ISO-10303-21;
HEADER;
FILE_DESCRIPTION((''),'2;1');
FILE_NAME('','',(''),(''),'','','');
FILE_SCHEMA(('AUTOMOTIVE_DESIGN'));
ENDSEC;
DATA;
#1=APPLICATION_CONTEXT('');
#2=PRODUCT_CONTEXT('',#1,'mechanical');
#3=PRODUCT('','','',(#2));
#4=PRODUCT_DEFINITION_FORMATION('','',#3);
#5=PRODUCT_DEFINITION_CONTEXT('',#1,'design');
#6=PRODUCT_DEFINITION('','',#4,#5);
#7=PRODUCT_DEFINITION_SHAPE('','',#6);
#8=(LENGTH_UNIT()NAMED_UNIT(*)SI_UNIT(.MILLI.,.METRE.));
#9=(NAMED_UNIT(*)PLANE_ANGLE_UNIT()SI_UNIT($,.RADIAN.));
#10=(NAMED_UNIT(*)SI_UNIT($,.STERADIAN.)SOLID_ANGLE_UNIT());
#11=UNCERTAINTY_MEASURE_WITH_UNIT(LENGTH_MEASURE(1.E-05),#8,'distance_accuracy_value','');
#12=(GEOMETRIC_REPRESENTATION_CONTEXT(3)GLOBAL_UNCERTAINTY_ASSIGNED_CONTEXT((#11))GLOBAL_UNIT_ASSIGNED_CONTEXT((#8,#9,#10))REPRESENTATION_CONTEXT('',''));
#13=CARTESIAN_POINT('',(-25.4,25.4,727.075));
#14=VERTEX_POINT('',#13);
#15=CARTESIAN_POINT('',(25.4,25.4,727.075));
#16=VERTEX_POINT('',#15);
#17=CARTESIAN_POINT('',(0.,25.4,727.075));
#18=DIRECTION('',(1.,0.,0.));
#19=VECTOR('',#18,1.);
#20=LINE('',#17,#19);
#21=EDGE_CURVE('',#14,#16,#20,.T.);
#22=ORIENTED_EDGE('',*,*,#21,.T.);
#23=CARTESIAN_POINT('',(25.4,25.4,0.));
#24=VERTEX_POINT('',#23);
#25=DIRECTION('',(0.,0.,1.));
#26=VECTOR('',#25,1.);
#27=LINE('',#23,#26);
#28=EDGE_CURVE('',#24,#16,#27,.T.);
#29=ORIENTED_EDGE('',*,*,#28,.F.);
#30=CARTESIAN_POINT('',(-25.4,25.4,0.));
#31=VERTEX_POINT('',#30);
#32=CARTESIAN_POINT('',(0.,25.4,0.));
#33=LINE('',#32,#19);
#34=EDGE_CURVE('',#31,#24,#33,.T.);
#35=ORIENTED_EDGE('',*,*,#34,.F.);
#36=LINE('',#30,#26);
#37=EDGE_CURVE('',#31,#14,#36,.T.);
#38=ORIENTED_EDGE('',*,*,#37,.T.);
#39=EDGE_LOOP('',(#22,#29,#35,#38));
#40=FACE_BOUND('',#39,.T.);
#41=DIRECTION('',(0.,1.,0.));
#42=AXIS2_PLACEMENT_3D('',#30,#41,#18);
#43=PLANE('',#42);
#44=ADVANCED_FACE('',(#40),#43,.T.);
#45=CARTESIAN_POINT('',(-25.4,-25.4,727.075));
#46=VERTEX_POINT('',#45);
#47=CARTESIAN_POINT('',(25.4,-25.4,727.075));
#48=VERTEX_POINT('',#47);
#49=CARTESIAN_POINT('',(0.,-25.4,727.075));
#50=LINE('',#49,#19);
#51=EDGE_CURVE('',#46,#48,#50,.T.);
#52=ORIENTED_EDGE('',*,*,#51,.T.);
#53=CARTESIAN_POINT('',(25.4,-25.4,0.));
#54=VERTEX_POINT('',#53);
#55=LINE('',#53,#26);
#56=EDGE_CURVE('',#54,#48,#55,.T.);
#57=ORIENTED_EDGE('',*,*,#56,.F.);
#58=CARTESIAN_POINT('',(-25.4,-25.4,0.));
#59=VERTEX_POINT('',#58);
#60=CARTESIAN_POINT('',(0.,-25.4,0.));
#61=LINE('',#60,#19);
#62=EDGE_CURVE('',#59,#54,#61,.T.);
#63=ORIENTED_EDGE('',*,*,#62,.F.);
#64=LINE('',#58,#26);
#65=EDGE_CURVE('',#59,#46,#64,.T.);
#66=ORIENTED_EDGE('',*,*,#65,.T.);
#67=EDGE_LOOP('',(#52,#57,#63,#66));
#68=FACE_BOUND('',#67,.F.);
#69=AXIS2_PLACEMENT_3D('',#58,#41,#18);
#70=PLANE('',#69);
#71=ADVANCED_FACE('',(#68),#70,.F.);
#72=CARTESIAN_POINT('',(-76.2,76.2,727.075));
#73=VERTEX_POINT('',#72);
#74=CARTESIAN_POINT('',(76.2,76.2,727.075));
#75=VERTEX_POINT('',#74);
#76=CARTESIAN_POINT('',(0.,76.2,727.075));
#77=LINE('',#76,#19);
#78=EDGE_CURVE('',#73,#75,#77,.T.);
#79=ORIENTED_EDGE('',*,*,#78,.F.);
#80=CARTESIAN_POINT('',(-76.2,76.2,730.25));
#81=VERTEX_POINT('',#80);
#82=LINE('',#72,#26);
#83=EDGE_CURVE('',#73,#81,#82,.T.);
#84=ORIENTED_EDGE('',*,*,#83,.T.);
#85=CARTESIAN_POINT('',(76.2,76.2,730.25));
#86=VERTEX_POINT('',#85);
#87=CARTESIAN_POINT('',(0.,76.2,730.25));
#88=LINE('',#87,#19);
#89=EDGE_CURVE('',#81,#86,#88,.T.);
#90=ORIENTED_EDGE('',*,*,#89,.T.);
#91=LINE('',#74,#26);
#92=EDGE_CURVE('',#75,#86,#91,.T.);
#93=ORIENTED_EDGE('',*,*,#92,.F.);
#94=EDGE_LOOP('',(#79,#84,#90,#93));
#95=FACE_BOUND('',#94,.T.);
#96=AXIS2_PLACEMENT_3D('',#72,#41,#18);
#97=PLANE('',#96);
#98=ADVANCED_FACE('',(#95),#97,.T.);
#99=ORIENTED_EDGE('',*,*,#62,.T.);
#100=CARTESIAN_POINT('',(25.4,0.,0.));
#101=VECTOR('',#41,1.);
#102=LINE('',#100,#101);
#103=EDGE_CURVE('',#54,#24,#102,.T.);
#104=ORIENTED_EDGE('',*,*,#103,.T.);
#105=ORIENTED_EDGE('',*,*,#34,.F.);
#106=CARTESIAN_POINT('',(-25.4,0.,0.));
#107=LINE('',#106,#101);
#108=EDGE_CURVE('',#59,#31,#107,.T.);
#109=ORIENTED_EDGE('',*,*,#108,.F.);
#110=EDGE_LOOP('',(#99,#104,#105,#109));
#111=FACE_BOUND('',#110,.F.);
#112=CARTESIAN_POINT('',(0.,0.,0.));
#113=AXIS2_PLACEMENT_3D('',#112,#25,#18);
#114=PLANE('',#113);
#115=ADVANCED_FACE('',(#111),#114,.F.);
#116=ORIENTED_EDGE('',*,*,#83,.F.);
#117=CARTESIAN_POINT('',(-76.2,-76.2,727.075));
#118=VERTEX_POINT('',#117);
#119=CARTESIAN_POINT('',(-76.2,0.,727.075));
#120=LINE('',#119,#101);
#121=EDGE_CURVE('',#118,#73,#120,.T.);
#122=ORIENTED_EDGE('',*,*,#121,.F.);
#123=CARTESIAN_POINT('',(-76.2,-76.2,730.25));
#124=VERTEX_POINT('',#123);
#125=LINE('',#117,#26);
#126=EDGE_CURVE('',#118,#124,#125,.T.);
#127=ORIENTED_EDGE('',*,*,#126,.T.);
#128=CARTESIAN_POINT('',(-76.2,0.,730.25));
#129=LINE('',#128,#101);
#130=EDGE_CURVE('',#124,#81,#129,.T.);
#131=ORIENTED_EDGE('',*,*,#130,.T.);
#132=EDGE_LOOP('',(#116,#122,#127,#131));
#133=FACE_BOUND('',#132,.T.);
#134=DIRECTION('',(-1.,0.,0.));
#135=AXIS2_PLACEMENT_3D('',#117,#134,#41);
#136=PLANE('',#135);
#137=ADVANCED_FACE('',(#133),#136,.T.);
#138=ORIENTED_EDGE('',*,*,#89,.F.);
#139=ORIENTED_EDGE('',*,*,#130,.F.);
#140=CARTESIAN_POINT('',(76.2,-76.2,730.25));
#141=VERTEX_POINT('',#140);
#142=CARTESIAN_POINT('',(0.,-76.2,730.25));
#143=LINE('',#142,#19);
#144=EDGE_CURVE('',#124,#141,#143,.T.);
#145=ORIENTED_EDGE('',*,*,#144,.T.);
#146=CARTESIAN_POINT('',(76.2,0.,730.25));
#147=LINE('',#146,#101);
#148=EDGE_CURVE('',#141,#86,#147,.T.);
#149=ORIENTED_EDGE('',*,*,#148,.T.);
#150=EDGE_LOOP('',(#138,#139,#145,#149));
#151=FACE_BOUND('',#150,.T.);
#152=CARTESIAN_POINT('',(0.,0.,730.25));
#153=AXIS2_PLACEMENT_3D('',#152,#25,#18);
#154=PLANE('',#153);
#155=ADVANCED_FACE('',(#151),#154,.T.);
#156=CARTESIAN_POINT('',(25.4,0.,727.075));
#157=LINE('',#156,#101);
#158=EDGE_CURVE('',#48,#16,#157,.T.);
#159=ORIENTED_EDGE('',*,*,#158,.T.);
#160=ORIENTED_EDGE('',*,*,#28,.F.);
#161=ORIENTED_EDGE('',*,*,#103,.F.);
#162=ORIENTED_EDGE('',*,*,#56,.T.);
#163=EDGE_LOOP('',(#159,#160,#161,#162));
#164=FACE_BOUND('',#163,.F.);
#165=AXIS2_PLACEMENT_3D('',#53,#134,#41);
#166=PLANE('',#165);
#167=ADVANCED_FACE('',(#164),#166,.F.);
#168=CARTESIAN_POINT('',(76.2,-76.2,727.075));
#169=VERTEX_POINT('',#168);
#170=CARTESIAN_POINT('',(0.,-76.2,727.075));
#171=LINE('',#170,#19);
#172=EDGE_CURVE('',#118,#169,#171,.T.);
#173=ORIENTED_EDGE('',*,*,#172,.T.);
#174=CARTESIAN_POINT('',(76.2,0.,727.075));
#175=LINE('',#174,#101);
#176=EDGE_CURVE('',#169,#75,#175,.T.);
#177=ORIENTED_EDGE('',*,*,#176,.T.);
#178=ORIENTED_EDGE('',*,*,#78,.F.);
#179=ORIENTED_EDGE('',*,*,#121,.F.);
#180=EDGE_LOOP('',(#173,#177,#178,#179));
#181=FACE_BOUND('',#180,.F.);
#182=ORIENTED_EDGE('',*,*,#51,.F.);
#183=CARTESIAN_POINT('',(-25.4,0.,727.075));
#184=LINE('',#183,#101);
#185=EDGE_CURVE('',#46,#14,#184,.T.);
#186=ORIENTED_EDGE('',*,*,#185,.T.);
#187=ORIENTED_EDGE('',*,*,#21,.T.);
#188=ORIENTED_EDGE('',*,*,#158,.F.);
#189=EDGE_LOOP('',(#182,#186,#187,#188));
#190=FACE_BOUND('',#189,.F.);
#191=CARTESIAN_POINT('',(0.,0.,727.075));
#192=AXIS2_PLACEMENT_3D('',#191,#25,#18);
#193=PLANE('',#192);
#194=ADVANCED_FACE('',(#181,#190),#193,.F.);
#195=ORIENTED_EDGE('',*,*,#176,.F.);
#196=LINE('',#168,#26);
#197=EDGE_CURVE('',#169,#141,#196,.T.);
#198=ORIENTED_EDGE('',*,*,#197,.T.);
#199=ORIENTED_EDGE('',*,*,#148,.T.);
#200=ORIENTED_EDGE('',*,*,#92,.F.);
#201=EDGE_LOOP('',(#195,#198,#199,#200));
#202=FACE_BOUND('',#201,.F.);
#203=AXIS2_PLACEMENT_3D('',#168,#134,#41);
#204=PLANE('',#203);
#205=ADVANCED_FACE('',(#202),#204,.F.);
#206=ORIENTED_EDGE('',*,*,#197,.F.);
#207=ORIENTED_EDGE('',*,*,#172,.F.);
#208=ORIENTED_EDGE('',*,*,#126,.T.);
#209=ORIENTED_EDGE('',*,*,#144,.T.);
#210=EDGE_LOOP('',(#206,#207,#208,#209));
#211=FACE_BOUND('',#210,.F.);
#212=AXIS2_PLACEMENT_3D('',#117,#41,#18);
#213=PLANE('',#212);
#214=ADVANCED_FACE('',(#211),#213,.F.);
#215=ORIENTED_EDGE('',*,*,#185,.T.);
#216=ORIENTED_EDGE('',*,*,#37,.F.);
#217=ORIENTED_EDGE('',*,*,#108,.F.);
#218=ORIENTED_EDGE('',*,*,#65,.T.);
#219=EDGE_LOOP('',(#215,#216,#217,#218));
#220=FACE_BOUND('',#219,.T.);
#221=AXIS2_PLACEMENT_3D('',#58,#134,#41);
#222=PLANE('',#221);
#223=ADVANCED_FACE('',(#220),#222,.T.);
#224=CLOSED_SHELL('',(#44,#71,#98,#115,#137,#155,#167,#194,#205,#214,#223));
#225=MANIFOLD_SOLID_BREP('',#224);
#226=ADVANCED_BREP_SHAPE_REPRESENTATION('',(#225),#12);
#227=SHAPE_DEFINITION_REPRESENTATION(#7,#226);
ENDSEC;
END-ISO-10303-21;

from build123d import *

# Parameters (mm, degrees)
F0_W     = 50.8
F0_H     = 50.8
F1_DEPTH = 727.075
F2_W     = 152.4
F2_H     = 152.4
F2_W_2   = 50.8
F2_H_2   = 50.8
F3_DEPTH = 3.175


with BuildPart() as f1:
    # F0 (on Top) → F1 (new body)
    with BuildSketch(Plane.XY):
        Rectangle(F0_W, F0_H)
    extrude(amount=F1_DEPTH)

    # F2 (on face) → F3 (join)
    with BuildSketch(Plane.XY.offset(727.075)):
        Rectangle(F2_W, F2_H)
        Rectangle(F2_W_2, F2_H_2, mode=Mode.SUBTRACT)
        Rectangle(F2_W_2, F2_H_2)
    extrude(amount=F3_DEPTH)


solid = f1.part
